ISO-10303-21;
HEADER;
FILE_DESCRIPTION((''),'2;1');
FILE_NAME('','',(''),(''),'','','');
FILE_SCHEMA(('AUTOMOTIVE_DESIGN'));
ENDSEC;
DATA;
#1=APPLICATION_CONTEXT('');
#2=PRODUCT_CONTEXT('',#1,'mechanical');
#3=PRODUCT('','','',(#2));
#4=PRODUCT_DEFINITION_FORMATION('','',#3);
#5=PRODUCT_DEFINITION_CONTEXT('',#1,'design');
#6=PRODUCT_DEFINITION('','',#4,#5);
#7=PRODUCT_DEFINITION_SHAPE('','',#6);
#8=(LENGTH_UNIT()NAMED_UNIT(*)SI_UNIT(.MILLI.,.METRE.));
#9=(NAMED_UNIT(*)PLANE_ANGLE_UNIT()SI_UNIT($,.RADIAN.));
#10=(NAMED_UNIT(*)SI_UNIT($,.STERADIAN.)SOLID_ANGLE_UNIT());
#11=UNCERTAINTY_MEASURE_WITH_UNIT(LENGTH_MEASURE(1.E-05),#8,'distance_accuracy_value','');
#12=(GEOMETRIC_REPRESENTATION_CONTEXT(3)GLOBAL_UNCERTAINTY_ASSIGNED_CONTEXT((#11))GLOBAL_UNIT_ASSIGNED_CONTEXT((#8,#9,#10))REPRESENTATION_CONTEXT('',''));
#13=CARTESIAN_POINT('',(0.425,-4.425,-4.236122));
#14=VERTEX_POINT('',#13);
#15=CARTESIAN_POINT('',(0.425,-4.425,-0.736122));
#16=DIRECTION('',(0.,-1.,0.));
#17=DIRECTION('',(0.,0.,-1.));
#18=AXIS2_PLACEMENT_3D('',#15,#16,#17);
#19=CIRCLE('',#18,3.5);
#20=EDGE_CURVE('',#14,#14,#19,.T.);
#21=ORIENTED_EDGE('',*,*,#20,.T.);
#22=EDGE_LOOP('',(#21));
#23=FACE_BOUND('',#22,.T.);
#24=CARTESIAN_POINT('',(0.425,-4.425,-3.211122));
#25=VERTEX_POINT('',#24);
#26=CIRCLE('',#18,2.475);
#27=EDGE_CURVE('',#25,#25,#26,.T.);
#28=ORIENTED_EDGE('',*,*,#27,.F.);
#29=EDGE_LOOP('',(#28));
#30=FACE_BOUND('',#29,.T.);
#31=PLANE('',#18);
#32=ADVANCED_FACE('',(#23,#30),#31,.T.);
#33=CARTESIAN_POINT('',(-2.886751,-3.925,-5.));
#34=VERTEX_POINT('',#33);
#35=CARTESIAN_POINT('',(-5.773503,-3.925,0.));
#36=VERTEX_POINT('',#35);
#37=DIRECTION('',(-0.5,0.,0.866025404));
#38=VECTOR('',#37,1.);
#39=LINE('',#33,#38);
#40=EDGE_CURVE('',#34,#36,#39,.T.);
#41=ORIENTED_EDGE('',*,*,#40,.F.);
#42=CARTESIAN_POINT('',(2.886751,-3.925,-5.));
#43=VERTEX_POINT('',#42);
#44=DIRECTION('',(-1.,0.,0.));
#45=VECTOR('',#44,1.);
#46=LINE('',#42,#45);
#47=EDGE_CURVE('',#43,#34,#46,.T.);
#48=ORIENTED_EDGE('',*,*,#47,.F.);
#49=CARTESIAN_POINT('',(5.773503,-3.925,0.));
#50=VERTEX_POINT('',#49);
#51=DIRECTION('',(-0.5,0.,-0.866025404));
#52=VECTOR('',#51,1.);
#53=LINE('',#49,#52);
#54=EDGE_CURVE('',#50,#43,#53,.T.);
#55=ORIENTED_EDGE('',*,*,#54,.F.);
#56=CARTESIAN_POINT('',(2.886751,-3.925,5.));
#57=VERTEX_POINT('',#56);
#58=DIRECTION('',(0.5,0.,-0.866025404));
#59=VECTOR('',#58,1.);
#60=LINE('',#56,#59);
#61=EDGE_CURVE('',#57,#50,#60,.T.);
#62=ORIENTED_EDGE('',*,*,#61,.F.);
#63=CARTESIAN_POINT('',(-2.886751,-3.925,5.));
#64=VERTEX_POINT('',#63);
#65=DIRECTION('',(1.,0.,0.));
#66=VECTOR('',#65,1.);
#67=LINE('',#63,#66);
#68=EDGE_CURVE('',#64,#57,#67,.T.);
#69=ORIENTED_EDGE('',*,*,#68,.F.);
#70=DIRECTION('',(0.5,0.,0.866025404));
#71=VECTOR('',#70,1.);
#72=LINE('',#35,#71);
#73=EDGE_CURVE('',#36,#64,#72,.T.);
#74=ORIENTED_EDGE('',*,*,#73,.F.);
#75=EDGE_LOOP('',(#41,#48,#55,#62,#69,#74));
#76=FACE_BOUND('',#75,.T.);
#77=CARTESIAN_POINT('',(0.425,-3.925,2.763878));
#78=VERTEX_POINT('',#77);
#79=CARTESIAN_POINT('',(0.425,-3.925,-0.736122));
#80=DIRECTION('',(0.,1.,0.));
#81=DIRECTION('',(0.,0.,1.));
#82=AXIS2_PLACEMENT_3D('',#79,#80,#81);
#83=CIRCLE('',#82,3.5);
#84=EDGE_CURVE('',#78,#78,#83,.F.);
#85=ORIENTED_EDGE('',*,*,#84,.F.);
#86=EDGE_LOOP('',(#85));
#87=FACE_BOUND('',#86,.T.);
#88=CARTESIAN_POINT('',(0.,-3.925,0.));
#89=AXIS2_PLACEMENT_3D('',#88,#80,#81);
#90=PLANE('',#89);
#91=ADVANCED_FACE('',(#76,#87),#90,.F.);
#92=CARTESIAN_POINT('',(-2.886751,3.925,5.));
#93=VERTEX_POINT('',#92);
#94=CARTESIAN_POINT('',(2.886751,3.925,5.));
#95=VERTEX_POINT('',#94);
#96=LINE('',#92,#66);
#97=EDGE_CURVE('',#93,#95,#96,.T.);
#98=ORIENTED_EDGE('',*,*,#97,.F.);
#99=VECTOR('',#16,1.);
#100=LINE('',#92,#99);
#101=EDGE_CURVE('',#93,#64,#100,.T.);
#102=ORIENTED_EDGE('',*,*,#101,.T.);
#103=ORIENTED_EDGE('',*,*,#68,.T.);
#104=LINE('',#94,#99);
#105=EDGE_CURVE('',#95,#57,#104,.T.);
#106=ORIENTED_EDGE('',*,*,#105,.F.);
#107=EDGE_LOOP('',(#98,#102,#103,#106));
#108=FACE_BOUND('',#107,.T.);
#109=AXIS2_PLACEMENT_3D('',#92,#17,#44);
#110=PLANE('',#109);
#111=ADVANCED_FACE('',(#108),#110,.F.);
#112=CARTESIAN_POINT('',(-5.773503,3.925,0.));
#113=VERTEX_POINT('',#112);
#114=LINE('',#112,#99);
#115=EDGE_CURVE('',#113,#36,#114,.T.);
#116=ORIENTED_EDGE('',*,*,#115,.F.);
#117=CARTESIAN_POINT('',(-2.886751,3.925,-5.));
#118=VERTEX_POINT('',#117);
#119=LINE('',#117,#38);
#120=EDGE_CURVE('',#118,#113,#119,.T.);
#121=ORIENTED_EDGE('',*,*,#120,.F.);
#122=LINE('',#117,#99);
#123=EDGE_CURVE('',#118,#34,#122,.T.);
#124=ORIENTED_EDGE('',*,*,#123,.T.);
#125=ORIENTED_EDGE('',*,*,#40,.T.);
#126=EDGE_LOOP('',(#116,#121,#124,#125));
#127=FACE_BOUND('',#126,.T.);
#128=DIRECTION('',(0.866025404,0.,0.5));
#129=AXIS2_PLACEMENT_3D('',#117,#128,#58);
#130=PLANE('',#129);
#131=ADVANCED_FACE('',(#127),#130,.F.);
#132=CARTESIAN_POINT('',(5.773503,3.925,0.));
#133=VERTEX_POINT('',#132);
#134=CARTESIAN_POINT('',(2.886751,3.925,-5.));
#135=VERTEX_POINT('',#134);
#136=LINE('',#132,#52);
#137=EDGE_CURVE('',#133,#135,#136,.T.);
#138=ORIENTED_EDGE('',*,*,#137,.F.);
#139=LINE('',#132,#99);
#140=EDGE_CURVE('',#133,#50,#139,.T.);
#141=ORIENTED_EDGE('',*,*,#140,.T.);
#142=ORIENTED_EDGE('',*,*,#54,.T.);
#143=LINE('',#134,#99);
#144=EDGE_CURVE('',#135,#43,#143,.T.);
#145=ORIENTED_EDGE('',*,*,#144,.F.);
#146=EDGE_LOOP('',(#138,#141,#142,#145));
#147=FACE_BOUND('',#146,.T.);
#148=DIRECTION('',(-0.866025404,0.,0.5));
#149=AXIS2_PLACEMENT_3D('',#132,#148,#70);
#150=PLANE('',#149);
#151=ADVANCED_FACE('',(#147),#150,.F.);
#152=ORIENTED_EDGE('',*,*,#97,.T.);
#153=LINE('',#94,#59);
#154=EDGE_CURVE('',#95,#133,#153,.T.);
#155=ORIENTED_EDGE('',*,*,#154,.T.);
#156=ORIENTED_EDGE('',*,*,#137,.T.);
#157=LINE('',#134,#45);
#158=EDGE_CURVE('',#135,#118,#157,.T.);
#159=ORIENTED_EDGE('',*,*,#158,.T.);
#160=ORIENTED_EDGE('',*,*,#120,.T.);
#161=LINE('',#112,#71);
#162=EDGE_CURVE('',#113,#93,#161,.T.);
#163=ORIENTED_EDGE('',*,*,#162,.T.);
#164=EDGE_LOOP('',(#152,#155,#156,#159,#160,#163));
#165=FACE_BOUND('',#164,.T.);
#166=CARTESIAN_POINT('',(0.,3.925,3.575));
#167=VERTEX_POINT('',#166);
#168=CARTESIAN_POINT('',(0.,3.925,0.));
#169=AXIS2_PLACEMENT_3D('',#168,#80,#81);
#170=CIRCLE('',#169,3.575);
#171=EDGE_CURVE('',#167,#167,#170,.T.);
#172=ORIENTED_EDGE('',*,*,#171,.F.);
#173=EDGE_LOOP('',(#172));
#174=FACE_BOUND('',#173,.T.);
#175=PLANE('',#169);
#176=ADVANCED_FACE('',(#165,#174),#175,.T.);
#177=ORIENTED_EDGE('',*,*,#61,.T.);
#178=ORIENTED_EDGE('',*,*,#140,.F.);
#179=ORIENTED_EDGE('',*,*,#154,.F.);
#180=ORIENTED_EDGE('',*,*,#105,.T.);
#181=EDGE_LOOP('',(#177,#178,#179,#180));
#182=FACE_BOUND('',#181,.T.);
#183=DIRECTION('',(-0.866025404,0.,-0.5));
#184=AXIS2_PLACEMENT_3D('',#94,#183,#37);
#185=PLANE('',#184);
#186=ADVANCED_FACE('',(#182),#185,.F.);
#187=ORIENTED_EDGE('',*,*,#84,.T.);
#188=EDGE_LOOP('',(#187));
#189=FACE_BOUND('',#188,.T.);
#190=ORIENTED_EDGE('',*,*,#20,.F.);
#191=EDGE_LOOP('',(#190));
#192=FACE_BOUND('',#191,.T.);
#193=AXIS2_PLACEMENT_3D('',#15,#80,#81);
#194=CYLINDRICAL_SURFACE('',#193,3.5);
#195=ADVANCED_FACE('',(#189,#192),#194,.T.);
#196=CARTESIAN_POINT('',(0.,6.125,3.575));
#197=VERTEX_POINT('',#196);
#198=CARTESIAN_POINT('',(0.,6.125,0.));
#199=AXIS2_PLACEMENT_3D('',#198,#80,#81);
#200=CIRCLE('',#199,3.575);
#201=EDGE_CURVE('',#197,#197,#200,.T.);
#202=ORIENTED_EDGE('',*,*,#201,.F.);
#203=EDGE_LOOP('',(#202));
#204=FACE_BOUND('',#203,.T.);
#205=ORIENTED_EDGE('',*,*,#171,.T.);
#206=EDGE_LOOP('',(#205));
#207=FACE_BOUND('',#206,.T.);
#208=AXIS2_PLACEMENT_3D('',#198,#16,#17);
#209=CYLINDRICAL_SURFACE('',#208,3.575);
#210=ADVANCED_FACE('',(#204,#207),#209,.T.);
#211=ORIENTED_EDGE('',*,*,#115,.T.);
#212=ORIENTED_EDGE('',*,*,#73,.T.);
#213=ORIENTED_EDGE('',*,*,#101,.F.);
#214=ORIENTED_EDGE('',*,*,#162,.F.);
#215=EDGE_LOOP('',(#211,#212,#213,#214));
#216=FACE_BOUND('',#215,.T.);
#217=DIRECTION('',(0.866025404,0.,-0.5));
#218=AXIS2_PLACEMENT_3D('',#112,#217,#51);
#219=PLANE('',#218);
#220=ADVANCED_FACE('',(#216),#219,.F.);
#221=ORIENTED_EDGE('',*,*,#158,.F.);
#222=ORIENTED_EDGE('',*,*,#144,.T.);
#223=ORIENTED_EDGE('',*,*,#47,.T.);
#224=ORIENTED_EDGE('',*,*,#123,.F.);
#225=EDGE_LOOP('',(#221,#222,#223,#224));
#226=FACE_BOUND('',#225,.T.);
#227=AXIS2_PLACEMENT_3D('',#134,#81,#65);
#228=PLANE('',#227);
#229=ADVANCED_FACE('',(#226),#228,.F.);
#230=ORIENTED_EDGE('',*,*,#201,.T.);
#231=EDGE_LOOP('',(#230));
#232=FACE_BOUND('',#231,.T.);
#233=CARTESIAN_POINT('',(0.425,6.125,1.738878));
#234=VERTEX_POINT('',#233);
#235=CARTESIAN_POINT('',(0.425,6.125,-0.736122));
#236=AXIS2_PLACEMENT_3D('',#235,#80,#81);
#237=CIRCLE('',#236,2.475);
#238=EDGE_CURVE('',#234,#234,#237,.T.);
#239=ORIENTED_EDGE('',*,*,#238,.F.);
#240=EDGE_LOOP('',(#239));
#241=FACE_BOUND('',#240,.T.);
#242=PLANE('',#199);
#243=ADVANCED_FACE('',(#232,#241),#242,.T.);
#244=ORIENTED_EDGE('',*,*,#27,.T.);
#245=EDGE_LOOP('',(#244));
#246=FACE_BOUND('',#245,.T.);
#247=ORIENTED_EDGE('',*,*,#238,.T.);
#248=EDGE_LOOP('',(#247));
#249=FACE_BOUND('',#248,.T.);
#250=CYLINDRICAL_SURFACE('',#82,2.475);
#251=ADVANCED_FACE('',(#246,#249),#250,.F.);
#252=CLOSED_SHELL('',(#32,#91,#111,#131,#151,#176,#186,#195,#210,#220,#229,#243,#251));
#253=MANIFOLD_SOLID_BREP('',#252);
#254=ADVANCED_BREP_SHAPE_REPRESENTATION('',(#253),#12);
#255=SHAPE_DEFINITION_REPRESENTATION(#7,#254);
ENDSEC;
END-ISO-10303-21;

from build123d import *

# Parameters (mm, degrees)
BOSS_EXTRUDE1_DEPTH = 3.925
SKETCH2_R           = 3.575
BOSS_EXTRUDE2_DEPTH = 2.2
SKETCH3_R           = 2.475
CUT_EXTRUDE1_DEPTH  = 13.622829846
SKETCH4_R           = 3.5
SKETCH4_R_2         = 2.475
BOSS_EXTRUDE3_DEPTH = 0.5


with BuildPart() as part:
    # Sketch1 → Boss-Extrude1 (new, symmetric)
    with BuildSketch(Plane(origin=(0, 0, 0), x_dir=(1, 0, 0), z_dir=(0, 1, 0))):
        Polygon((2.886751346, 5), (-2.886751346, 5), (-5.773502692, 0), (-2.886751346, -5), (2.886751346, -5), (5.773502692, 0), align=None)
    extrude(amount=BOSS_EXTRUDE1_DEPTH, both=True)

    # Sketch2 → Boss-Extrude2 (add)
    with BuildSketch(Plane(origin=(0, 3.925, 0), x_dir=(1, 0, 0), z_dir=(0, 1, 0))):
        with Locations(Location((0, 0, 0), (0, 0, 270))):
            Circle(SKETCH2_R)
    extrude(amount=BOSS_EXTRUDE2_DEPTH)

    # Sketch3 → Cut-Extrude1 (cut, through all)
    with BuildSketch(Plane(origin=(0, 6.125, 0), x_dir=(1, 0, 0), z_dir=(0, 1, 0))):
        with Locations(Location((0.425, 0.736121593, 0), (0, 0, 270))):
            Circle(SKETCH3_R)
    extrude(amount=-CUT_EXTRUDE1_DEPTH, mode=Mode.SUBTRACT)

    # Sketch4 → Boss-Extrude3 (add)
    with BuildSketch(Plane.XZ.offset(3.925)):
        with Locations(Location((0.425, -0.736121593, 0), (0, 0, 90))):
            Circle(SKETCH4_R)
        with Locations(Location((0.425, -0.736121593, 0), (0, 0, 90))):
            Circle(SKETCH4_R_2, mode=Mode.SUBTRACT)
    extrude(amount=BOSS_EXTRUDE3_DEPTH)


solid = part.part
